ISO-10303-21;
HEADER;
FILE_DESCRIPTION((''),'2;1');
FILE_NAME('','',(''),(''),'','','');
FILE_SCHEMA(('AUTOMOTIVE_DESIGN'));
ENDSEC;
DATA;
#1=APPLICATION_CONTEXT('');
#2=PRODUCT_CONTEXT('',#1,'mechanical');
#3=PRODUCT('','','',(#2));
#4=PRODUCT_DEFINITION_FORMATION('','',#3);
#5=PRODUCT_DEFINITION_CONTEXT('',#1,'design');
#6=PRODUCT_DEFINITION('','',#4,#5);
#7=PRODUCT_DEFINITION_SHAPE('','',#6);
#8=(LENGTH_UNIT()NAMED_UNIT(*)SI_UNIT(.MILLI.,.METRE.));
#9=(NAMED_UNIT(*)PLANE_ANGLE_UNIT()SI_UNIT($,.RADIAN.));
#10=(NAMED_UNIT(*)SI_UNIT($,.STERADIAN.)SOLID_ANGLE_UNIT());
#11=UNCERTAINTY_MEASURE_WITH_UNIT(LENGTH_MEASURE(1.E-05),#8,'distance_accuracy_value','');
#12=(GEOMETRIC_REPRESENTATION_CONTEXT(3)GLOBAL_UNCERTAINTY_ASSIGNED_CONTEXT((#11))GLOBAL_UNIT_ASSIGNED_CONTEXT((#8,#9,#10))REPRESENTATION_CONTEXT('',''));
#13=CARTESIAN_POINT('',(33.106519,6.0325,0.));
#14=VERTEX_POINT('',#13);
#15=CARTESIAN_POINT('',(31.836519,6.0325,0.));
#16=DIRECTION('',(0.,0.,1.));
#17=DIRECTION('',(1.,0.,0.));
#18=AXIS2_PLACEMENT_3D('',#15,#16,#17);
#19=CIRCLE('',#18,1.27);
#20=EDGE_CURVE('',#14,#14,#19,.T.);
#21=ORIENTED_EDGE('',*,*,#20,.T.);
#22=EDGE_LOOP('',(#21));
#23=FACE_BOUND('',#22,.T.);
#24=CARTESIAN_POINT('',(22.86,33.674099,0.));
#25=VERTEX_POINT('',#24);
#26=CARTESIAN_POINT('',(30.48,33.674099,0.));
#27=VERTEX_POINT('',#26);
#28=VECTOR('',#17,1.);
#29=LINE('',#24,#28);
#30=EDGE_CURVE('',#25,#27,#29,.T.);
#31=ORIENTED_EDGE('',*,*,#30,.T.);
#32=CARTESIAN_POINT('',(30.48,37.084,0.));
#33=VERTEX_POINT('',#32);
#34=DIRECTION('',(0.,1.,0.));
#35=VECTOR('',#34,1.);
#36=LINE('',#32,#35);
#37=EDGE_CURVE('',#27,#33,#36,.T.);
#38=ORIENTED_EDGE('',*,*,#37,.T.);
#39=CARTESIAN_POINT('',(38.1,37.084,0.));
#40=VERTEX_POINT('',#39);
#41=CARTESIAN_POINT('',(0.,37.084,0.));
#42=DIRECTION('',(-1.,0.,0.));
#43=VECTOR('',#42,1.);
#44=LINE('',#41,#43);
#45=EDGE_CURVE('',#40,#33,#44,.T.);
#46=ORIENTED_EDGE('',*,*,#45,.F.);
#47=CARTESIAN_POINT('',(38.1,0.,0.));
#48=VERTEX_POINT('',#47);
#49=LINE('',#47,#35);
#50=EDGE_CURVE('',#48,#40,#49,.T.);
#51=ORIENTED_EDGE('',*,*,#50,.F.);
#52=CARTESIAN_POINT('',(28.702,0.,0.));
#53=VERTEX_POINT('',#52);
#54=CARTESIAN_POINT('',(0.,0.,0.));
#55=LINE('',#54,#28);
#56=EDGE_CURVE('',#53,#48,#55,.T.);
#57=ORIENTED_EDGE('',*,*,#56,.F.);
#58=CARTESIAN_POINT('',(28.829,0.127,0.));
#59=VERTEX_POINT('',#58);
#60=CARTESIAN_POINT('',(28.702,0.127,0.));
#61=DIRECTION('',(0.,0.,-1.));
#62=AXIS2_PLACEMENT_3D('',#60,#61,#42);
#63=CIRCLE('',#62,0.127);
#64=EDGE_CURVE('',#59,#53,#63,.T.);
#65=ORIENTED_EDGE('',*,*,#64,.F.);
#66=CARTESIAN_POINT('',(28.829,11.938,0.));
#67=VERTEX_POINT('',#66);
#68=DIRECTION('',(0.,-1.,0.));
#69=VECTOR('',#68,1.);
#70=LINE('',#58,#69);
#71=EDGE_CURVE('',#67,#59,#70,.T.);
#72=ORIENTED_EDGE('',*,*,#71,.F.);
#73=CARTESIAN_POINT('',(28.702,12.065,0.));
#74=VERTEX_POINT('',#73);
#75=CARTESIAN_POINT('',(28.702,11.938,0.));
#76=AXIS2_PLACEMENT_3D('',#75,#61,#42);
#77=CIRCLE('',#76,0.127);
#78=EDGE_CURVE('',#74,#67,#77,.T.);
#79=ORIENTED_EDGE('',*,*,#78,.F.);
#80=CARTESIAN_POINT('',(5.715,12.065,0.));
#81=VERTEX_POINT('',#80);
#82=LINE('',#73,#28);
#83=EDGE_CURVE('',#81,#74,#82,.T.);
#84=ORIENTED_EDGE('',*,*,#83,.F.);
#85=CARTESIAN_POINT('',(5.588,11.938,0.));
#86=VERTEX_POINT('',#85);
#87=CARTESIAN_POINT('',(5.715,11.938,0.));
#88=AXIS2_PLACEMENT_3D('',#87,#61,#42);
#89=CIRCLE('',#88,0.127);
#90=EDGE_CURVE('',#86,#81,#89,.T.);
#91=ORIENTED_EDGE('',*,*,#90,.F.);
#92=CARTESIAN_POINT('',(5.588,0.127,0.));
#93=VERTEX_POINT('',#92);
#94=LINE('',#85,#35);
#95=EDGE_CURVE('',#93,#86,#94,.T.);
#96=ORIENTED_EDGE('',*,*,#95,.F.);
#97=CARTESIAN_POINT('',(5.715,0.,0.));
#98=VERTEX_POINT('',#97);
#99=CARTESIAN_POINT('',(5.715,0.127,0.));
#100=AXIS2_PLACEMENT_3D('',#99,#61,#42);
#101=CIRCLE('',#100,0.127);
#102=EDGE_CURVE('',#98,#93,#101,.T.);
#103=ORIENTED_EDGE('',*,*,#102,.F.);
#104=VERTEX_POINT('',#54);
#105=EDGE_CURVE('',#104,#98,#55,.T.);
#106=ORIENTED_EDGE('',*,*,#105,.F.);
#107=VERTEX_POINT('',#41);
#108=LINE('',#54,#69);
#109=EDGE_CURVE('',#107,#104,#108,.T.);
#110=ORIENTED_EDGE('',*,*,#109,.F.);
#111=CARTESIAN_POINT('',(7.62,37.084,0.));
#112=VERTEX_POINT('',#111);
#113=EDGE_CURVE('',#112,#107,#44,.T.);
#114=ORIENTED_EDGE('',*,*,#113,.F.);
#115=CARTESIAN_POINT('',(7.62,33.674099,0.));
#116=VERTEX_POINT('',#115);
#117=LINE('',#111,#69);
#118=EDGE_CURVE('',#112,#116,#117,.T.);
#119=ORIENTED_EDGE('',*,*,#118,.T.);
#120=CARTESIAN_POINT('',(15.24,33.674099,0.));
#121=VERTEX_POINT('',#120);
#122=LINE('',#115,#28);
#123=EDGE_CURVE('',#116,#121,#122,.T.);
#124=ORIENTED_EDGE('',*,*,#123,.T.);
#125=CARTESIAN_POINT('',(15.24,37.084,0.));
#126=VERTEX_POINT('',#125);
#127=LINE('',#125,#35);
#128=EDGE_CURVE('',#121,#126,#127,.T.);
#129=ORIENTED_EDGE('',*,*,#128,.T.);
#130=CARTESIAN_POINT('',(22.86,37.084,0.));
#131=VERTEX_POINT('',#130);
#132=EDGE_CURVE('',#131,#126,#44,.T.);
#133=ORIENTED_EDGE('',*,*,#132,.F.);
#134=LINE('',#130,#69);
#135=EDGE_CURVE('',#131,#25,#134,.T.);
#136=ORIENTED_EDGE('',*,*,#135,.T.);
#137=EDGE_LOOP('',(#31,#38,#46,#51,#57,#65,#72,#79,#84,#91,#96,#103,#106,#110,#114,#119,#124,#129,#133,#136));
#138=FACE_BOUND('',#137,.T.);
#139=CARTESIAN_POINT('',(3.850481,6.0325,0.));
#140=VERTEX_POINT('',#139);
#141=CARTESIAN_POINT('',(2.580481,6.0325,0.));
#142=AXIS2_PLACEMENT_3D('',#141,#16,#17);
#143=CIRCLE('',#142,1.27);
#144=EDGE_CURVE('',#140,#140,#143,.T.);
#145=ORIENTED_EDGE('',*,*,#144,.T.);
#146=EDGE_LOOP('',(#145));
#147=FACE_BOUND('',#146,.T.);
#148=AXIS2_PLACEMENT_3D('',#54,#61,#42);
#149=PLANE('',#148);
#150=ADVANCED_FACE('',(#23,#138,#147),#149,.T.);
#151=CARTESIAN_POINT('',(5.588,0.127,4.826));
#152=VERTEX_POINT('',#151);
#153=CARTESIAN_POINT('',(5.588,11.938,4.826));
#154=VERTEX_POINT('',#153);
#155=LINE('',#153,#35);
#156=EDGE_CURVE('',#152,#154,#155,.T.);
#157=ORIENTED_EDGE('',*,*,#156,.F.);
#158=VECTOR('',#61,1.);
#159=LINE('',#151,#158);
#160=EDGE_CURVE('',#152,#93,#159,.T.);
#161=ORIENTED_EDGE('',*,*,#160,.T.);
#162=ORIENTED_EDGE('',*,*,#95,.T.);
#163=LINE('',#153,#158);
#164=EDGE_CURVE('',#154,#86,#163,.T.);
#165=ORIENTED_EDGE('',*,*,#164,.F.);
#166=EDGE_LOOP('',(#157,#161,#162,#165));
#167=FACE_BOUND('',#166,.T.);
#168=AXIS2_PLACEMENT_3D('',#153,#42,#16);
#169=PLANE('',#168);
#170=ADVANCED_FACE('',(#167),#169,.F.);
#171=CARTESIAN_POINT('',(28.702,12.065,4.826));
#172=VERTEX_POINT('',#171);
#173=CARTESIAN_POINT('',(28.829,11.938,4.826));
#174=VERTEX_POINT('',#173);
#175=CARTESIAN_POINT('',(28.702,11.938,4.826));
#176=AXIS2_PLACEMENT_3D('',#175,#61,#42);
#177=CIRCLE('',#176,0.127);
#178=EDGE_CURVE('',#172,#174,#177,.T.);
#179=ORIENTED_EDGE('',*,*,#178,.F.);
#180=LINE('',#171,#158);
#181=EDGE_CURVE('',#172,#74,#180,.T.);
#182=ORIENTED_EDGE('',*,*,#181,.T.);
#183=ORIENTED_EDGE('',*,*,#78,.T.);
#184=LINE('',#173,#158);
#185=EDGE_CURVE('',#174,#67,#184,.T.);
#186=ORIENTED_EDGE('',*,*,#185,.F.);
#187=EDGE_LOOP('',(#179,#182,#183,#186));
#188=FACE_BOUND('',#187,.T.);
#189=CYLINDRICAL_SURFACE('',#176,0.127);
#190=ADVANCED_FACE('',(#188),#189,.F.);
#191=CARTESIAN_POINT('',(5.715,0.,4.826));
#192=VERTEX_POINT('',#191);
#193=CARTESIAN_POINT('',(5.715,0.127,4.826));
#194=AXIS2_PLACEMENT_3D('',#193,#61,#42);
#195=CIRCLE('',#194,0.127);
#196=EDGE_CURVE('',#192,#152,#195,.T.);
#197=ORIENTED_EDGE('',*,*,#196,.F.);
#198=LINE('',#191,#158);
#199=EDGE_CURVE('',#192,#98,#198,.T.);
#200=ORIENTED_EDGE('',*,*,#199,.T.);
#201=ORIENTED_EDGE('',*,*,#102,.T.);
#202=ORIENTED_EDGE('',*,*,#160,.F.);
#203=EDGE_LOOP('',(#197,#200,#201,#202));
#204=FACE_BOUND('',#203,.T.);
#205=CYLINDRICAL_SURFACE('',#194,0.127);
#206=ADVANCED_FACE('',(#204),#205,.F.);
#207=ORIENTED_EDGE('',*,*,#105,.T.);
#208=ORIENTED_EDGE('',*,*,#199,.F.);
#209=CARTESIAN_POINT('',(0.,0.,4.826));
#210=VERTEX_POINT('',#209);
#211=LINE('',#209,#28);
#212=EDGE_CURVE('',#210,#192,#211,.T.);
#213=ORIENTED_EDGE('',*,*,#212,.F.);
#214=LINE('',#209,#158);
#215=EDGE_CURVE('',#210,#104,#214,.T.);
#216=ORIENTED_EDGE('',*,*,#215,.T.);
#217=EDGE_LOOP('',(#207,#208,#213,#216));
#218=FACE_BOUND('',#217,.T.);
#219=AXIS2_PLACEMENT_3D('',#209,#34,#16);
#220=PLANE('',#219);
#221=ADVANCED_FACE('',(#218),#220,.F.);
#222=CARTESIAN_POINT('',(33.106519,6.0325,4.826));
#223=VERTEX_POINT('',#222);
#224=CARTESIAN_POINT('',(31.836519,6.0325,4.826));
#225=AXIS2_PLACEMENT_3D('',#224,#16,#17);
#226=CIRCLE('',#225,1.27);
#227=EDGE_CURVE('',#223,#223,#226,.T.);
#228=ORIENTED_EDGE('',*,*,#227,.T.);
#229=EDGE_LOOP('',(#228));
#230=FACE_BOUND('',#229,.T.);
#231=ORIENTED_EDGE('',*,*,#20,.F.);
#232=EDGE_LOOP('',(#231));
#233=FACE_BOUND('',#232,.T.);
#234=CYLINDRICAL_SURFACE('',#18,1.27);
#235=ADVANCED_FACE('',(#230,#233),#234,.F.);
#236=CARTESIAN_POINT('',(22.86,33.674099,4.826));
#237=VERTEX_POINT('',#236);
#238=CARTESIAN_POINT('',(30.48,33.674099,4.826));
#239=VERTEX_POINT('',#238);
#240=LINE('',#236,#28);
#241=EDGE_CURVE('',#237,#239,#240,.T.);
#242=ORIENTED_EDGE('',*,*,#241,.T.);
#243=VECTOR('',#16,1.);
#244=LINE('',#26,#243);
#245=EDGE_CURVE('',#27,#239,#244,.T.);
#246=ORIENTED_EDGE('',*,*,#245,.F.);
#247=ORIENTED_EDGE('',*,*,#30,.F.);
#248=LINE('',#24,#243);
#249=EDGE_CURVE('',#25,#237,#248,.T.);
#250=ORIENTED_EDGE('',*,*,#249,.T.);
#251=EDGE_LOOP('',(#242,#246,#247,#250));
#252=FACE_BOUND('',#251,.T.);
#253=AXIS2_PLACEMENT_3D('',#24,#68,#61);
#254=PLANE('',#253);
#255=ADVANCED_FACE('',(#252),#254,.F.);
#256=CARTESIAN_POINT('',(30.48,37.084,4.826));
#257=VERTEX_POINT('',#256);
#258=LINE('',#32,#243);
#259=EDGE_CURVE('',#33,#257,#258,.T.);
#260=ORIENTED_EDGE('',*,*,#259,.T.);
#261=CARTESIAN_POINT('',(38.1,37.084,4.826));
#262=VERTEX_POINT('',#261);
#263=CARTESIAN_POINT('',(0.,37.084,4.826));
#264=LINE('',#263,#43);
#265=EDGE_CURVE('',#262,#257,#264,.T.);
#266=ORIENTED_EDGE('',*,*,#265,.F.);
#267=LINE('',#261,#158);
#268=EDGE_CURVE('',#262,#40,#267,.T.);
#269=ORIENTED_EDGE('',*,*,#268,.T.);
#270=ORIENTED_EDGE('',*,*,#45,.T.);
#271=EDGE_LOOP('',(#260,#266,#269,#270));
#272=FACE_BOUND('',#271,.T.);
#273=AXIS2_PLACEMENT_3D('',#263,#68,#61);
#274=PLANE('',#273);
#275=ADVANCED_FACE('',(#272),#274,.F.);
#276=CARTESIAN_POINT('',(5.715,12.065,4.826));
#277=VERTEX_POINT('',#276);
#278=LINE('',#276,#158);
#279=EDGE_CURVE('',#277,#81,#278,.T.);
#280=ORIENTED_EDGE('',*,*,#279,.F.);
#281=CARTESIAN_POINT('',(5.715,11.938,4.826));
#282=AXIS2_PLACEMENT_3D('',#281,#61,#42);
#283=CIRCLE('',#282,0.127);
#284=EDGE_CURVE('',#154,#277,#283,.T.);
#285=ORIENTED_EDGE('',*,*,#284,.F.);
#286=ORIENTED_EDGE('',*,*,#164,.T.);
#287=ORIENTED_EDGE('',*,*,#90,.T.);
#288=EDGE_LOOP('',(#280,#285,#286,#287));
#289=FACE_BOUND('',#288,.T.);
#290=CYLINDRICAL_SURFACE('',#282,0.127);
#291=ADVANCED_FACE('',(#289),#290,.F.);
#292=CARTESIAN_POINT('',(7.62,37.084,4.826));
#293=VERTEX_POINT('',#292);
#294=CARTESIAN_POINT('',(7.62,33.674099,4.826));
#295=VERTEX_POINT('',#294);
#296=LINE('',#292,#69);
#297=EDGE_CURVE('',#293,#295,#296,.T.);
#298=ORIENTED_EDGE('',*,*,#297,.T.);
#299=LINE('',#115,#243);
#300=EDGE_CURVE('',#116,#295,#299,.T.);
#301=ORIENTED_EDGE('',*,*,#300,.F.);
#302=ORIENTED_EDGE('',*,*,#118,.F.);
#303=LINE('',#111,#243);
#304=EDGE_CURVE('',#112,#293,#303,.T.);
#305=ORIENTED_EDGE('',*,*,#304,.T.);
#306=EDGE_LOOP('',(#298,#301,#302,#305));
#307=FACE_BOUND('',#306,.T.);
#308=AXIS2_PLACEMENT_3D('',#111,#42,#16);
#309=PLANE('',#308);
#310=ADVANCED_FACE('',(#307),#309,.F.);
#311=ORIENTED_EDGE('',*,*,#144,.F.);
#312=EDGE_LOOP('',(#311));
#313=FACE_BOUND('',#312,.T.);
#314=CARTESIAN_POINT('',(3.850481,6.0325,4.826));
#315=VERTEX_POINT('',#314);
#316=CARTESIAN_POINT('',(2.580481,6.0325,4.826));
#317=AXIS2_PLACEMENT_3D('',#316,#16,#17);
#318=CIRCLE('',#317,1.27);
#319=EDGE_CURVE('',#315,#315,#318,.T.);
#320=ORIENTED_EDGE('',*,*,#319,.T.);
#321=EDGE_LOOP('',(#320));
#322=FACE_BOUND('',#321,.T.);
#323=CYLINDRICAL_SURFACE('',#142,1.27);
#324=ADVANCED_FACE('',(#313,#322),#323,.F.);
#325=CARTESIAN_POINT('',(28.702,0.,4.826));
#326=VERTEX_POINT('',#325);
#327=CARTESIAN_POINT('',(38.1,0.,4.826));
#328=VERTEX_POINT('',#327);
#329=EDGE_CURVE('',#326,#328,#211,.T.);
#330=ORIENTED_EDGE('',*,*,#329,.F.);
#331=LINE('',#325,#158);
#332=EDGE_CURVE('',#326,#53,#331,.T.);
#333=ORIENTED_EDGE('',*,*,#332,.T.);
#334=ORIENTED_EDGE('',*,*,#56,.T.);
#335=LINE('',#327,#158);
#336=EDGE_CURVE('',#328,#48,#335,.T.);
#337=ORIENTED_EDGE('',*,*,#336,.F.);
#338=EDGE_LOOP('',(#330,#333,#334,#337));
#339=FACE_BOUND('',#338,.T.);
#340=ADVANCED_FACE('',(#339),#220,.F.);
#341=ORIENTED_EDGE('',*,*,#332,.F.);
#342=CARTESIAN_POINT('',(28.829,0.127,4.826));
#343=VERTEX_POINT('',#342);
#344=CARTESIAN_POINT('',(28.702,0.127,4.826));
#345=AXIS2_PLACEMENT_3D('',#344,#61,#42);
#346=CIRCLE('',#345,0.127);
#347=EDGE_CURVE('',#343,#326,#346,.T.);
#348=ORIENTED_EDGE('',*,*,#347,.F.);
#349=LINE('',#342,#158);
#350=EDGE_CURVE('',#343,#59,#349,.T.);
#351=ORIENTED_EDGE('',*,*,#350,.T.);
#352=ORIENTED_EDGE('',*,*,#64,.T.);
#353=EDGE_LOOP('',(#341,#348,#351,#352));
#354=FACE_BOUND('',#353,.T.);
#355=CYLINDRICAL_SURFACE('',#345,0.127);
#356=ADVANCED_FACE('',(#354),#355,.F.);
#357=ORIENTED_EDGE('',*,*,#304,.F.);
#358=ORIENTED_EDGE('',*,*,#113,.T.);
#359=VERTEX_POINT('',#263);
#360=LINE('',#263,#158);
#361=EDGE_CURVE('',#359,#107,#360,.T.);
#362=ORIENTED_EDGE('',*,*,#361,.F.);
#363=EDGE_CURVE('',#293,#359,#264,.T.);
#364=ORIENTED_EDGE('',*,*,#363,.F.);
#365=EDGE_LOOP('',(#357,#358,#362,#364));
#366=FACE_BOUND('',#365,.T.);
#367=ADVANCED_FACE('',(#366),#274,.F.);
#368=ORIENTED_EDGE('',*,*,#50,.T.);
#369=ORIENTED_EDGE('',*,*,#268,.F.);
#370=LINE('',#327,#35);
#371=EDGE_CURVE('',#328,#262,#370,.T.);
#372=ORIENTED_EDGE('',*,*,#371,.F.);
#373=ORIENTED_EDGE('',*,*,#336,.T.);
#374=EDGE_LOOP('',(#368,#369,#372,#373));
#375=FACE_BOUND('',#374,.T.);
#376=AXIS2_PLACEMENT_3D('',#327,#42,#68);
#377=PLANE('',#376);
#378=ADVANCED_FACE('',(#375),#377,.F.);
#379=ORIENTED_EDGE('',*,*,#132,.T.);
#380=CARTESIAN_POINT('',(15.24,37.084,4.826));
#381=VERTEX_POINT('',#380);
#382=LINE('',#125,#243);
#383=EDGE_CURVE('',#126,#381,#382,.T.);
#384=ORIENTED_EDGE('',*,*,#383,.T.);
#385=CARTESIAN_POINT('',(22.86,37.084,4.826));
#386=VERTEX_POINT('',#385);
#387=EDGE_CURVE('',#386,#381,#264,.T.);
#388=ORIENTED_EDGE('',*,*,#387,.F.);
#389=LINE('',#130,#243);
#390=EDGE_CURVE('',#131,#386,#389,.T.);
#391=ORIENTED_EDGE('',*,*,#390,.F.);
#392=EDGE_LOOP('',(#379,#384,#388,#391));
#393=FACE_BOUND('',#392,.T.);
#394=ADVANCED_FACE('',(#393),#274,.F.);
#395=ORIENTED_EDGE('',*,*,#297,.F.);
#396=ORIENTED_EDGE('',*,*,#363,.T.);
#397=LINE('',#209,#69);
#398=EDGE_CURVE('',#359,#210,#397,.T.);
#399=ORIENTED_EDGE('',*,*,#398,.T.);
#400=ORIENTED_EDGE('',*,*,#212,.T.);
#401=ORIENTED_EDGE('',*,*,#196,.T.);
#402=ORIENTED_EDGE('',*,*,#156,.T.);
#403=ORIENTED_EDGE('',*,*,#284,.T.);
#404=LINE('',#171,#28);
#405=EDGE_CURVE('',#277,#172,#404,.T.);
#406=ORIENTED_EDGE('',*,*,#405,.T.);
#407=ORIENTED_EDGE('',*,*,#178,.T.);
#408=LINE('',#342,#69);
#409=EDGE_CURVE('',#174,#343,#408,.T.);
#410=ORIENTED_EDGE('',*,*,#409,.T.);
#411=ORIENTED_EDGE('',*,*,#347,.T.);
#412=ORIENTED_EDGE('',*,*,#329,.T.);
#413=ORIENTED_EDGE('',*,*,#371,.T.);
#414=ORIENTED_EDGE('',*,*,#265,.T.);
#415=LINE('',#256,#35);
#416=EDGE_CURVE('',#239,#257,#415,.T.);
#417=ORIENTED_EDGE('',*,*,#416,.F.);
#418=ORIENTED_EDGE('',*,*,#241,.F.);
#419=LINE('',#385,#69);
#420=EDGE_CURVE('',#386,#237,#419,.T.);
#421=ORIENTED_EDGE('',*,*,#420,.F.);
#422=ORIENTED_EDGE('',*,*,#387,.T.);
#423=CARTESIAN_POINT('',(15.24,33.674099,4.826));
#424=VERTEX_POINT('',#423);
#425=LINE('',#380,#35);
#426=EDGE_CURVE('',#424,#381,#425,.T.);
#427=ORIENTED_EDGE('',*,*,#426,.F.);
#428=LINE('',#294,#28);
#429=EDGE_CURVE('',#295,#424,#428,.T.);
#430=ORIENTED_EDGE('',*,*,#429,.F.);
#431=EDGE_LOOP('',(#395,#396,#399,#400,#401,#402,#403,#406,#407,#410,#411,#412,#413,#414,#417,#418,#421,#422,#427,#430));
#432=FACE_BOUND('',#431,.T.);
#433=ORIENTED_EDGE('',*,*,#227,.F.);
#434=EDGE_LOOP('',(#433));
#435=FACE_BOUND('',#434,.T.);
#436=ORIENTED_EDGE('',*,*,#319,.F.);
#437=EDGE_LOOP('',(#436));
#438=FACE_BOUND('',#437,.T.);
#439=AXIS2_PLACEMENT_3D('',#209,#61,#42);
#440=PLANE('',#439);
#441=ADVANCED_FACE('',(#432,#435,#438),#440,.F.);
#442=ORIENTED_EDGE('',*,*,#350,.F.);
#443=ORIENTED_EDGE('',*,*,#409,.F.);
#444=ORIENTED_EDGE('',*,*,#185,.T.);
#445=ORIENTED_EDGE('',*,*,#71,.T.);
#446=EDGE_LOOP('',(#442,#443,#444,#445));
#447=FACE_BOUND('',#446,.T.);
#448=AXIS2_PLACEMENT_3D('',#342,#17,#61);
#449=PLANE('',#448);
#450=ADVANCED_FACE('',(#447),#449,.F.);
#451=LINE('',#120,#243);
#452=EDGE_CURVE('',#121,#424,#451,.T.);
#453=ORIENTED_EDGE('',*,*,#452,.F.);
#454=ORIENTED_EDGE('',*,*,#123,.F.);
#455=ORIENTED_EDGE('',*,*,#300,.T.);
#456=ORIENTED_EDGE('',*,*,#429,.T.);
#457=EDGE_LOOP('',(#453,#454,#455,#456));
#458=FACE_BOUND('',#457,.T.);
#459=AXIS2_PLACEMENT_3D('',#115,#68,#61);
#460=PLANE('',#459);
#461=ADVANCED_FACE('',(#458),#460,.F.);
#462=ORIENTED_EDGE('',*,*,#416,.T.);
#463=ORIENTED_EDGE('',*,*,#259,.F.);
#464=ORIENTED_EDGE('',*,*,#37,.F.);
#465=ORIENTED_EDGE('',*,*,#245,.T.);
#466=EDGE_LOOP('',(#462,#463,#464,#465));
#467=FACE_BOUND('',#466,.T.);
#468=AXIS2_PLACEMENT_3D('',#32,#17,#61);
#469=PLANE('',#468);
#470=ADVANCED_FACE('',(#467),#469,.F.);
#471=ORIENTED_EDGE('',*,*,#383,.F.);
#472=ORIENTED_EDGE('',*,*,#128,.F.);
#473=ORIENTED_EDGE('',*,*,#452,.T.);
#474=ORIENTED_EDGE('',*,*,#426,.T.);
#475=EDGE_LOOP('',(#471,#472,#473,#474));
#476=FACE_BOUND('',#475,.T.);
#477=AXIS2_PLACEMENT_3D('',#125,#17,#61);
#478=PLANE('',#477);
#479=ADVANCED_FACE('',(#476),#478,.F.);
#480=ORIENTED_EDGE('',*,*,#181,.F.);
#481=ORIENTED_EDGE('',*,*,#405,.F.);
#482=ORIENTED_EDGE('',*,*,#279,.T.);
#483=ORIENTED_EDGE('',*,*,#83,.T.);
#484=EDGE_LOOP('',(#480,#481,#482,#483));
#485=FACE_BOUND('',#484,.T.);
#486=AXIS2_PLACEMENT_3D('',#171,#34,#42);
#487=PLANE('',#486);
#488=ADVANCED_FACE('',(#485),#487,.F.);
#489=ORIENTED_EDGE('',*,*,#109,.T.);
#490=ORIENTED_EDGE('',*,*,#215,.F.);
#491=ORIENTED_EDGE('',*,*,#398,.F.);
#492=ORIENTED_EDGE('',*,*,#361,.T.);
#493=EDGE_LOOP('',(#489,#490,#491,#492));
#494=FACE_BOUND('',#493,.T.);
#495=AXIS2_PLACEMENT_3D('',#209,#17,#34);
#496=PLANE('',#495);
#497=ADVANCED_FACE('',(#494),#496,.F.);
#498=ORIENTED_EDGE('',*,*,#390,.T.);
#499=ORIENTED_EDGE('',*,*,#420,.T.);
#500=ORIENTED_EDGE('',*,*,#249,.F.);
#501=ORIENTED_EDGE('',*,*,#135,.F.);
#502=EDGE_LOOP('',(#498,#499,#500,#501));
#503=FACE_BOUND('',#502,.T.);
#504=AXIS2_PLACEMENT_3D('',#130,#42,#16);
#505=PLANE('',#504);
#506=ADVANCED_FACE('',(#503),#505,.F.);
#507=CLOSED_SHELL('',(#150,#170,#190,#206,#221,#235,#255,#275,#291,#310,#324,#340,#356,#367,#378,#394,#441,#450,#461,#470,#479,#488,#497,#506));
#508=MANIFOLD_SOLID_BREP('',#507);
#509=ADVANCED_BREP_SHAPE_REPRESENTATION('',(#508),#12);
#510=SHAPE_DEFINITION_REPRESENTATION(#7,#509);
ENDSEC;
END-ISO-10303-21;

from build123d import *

# Parameters (mm, degrees)
SKETCH1_W           = 38.1
SKETCH1_H           = 37.084
BOSS_EXTRUDE1_DEPTH = 4.826
SKETCH3_R           = 1.27
CUT_EXTRUDE2_DEPTH  = 54.386546358
CUT_EXTRUDE3_DEPTH  = 54.386546358
SKETCH5_W           = 7.62
SKETCH5_H           = 3.409901171
CUT_EXTRUDE4_DEPTH  = 54.386546358


with BuildPart() as part:
    # Sketch1 → Boss-Extrude1 (new body)
    with BuildSketch(Plane.XY):
        with Locations((19.05, 18.542)):
            Rectangle(SKETCH1_W, SKETCH1_H)
    extrude(amount=BOSS_EXTRUDE1_DEPTH)

    # Sketch3 → Cut-Extrude2 (cut, through all)
    with BuildSketch(Plane.XY.offset(4.826)):
        with Locations((2.580480538, 6.0325)):
            Circle(SKETCH3_R)
        with Locations((31.836519462, 6.0325)):
            Circle(SKETCH3_R)
    extrude(amount=-CUT_EXTRUDE2_DEPTH, mode=Mode.SUBTRACT)

    # Sketch4 → Cut-Extrude3 (cut, through all)
    with BuildSketch(Plane(origin=(0, 0, 0), x_dir=(-1, 0, 0), z_dir=(0, 0, -1))):
        with BuildLine():
            Line((-28.702, 12.065), (-5.715, 12.065))
            ThreePointArc((-5.715, 12.065), (-5.625197439, 12.027802561), (-5.588, 11.938))
            Line((-5.588, 11.938), (-5.588, 0.127))
            ThreePointArc((-5.588, 0.127), (-5.625197439, 0.037197439), (-5.715, 0))
            Line((-5.715, 0), (-28.702, 0))
            ThreePointArc((-28.702, 0), (-28.791802561, 0.037197439), (-28.829, 0.127))
            Line((-28.829, 0.127), (-28.829, 11.938))
            ThreePointArc((-28.829, 11.938), (-28.791802561, 12.027802561), (-28.702, 12.065))
        make_face()
    extrude(amount=-CUT_EXTRUDE3_DEPTH, mode=Mode.SUBTRACT)

    # Sketch5 → Cut-Extrude4 (cut, through all)
    with BuildSketch(Plane.XY.offset(4.826)):
        with Locations((11.43, 35.379049415)):
            Rectangle(SKETCH5_W, SKETCH5_H)
        with Locations((26.67, 35.379049415)):
            Rectangle(SKETCH5_W, SKETCH5_H)
    extrude(amount=-CUT_EXTRUDE4_DEPTH, mode=Mode.SUBTRACT)


solid = part.part
